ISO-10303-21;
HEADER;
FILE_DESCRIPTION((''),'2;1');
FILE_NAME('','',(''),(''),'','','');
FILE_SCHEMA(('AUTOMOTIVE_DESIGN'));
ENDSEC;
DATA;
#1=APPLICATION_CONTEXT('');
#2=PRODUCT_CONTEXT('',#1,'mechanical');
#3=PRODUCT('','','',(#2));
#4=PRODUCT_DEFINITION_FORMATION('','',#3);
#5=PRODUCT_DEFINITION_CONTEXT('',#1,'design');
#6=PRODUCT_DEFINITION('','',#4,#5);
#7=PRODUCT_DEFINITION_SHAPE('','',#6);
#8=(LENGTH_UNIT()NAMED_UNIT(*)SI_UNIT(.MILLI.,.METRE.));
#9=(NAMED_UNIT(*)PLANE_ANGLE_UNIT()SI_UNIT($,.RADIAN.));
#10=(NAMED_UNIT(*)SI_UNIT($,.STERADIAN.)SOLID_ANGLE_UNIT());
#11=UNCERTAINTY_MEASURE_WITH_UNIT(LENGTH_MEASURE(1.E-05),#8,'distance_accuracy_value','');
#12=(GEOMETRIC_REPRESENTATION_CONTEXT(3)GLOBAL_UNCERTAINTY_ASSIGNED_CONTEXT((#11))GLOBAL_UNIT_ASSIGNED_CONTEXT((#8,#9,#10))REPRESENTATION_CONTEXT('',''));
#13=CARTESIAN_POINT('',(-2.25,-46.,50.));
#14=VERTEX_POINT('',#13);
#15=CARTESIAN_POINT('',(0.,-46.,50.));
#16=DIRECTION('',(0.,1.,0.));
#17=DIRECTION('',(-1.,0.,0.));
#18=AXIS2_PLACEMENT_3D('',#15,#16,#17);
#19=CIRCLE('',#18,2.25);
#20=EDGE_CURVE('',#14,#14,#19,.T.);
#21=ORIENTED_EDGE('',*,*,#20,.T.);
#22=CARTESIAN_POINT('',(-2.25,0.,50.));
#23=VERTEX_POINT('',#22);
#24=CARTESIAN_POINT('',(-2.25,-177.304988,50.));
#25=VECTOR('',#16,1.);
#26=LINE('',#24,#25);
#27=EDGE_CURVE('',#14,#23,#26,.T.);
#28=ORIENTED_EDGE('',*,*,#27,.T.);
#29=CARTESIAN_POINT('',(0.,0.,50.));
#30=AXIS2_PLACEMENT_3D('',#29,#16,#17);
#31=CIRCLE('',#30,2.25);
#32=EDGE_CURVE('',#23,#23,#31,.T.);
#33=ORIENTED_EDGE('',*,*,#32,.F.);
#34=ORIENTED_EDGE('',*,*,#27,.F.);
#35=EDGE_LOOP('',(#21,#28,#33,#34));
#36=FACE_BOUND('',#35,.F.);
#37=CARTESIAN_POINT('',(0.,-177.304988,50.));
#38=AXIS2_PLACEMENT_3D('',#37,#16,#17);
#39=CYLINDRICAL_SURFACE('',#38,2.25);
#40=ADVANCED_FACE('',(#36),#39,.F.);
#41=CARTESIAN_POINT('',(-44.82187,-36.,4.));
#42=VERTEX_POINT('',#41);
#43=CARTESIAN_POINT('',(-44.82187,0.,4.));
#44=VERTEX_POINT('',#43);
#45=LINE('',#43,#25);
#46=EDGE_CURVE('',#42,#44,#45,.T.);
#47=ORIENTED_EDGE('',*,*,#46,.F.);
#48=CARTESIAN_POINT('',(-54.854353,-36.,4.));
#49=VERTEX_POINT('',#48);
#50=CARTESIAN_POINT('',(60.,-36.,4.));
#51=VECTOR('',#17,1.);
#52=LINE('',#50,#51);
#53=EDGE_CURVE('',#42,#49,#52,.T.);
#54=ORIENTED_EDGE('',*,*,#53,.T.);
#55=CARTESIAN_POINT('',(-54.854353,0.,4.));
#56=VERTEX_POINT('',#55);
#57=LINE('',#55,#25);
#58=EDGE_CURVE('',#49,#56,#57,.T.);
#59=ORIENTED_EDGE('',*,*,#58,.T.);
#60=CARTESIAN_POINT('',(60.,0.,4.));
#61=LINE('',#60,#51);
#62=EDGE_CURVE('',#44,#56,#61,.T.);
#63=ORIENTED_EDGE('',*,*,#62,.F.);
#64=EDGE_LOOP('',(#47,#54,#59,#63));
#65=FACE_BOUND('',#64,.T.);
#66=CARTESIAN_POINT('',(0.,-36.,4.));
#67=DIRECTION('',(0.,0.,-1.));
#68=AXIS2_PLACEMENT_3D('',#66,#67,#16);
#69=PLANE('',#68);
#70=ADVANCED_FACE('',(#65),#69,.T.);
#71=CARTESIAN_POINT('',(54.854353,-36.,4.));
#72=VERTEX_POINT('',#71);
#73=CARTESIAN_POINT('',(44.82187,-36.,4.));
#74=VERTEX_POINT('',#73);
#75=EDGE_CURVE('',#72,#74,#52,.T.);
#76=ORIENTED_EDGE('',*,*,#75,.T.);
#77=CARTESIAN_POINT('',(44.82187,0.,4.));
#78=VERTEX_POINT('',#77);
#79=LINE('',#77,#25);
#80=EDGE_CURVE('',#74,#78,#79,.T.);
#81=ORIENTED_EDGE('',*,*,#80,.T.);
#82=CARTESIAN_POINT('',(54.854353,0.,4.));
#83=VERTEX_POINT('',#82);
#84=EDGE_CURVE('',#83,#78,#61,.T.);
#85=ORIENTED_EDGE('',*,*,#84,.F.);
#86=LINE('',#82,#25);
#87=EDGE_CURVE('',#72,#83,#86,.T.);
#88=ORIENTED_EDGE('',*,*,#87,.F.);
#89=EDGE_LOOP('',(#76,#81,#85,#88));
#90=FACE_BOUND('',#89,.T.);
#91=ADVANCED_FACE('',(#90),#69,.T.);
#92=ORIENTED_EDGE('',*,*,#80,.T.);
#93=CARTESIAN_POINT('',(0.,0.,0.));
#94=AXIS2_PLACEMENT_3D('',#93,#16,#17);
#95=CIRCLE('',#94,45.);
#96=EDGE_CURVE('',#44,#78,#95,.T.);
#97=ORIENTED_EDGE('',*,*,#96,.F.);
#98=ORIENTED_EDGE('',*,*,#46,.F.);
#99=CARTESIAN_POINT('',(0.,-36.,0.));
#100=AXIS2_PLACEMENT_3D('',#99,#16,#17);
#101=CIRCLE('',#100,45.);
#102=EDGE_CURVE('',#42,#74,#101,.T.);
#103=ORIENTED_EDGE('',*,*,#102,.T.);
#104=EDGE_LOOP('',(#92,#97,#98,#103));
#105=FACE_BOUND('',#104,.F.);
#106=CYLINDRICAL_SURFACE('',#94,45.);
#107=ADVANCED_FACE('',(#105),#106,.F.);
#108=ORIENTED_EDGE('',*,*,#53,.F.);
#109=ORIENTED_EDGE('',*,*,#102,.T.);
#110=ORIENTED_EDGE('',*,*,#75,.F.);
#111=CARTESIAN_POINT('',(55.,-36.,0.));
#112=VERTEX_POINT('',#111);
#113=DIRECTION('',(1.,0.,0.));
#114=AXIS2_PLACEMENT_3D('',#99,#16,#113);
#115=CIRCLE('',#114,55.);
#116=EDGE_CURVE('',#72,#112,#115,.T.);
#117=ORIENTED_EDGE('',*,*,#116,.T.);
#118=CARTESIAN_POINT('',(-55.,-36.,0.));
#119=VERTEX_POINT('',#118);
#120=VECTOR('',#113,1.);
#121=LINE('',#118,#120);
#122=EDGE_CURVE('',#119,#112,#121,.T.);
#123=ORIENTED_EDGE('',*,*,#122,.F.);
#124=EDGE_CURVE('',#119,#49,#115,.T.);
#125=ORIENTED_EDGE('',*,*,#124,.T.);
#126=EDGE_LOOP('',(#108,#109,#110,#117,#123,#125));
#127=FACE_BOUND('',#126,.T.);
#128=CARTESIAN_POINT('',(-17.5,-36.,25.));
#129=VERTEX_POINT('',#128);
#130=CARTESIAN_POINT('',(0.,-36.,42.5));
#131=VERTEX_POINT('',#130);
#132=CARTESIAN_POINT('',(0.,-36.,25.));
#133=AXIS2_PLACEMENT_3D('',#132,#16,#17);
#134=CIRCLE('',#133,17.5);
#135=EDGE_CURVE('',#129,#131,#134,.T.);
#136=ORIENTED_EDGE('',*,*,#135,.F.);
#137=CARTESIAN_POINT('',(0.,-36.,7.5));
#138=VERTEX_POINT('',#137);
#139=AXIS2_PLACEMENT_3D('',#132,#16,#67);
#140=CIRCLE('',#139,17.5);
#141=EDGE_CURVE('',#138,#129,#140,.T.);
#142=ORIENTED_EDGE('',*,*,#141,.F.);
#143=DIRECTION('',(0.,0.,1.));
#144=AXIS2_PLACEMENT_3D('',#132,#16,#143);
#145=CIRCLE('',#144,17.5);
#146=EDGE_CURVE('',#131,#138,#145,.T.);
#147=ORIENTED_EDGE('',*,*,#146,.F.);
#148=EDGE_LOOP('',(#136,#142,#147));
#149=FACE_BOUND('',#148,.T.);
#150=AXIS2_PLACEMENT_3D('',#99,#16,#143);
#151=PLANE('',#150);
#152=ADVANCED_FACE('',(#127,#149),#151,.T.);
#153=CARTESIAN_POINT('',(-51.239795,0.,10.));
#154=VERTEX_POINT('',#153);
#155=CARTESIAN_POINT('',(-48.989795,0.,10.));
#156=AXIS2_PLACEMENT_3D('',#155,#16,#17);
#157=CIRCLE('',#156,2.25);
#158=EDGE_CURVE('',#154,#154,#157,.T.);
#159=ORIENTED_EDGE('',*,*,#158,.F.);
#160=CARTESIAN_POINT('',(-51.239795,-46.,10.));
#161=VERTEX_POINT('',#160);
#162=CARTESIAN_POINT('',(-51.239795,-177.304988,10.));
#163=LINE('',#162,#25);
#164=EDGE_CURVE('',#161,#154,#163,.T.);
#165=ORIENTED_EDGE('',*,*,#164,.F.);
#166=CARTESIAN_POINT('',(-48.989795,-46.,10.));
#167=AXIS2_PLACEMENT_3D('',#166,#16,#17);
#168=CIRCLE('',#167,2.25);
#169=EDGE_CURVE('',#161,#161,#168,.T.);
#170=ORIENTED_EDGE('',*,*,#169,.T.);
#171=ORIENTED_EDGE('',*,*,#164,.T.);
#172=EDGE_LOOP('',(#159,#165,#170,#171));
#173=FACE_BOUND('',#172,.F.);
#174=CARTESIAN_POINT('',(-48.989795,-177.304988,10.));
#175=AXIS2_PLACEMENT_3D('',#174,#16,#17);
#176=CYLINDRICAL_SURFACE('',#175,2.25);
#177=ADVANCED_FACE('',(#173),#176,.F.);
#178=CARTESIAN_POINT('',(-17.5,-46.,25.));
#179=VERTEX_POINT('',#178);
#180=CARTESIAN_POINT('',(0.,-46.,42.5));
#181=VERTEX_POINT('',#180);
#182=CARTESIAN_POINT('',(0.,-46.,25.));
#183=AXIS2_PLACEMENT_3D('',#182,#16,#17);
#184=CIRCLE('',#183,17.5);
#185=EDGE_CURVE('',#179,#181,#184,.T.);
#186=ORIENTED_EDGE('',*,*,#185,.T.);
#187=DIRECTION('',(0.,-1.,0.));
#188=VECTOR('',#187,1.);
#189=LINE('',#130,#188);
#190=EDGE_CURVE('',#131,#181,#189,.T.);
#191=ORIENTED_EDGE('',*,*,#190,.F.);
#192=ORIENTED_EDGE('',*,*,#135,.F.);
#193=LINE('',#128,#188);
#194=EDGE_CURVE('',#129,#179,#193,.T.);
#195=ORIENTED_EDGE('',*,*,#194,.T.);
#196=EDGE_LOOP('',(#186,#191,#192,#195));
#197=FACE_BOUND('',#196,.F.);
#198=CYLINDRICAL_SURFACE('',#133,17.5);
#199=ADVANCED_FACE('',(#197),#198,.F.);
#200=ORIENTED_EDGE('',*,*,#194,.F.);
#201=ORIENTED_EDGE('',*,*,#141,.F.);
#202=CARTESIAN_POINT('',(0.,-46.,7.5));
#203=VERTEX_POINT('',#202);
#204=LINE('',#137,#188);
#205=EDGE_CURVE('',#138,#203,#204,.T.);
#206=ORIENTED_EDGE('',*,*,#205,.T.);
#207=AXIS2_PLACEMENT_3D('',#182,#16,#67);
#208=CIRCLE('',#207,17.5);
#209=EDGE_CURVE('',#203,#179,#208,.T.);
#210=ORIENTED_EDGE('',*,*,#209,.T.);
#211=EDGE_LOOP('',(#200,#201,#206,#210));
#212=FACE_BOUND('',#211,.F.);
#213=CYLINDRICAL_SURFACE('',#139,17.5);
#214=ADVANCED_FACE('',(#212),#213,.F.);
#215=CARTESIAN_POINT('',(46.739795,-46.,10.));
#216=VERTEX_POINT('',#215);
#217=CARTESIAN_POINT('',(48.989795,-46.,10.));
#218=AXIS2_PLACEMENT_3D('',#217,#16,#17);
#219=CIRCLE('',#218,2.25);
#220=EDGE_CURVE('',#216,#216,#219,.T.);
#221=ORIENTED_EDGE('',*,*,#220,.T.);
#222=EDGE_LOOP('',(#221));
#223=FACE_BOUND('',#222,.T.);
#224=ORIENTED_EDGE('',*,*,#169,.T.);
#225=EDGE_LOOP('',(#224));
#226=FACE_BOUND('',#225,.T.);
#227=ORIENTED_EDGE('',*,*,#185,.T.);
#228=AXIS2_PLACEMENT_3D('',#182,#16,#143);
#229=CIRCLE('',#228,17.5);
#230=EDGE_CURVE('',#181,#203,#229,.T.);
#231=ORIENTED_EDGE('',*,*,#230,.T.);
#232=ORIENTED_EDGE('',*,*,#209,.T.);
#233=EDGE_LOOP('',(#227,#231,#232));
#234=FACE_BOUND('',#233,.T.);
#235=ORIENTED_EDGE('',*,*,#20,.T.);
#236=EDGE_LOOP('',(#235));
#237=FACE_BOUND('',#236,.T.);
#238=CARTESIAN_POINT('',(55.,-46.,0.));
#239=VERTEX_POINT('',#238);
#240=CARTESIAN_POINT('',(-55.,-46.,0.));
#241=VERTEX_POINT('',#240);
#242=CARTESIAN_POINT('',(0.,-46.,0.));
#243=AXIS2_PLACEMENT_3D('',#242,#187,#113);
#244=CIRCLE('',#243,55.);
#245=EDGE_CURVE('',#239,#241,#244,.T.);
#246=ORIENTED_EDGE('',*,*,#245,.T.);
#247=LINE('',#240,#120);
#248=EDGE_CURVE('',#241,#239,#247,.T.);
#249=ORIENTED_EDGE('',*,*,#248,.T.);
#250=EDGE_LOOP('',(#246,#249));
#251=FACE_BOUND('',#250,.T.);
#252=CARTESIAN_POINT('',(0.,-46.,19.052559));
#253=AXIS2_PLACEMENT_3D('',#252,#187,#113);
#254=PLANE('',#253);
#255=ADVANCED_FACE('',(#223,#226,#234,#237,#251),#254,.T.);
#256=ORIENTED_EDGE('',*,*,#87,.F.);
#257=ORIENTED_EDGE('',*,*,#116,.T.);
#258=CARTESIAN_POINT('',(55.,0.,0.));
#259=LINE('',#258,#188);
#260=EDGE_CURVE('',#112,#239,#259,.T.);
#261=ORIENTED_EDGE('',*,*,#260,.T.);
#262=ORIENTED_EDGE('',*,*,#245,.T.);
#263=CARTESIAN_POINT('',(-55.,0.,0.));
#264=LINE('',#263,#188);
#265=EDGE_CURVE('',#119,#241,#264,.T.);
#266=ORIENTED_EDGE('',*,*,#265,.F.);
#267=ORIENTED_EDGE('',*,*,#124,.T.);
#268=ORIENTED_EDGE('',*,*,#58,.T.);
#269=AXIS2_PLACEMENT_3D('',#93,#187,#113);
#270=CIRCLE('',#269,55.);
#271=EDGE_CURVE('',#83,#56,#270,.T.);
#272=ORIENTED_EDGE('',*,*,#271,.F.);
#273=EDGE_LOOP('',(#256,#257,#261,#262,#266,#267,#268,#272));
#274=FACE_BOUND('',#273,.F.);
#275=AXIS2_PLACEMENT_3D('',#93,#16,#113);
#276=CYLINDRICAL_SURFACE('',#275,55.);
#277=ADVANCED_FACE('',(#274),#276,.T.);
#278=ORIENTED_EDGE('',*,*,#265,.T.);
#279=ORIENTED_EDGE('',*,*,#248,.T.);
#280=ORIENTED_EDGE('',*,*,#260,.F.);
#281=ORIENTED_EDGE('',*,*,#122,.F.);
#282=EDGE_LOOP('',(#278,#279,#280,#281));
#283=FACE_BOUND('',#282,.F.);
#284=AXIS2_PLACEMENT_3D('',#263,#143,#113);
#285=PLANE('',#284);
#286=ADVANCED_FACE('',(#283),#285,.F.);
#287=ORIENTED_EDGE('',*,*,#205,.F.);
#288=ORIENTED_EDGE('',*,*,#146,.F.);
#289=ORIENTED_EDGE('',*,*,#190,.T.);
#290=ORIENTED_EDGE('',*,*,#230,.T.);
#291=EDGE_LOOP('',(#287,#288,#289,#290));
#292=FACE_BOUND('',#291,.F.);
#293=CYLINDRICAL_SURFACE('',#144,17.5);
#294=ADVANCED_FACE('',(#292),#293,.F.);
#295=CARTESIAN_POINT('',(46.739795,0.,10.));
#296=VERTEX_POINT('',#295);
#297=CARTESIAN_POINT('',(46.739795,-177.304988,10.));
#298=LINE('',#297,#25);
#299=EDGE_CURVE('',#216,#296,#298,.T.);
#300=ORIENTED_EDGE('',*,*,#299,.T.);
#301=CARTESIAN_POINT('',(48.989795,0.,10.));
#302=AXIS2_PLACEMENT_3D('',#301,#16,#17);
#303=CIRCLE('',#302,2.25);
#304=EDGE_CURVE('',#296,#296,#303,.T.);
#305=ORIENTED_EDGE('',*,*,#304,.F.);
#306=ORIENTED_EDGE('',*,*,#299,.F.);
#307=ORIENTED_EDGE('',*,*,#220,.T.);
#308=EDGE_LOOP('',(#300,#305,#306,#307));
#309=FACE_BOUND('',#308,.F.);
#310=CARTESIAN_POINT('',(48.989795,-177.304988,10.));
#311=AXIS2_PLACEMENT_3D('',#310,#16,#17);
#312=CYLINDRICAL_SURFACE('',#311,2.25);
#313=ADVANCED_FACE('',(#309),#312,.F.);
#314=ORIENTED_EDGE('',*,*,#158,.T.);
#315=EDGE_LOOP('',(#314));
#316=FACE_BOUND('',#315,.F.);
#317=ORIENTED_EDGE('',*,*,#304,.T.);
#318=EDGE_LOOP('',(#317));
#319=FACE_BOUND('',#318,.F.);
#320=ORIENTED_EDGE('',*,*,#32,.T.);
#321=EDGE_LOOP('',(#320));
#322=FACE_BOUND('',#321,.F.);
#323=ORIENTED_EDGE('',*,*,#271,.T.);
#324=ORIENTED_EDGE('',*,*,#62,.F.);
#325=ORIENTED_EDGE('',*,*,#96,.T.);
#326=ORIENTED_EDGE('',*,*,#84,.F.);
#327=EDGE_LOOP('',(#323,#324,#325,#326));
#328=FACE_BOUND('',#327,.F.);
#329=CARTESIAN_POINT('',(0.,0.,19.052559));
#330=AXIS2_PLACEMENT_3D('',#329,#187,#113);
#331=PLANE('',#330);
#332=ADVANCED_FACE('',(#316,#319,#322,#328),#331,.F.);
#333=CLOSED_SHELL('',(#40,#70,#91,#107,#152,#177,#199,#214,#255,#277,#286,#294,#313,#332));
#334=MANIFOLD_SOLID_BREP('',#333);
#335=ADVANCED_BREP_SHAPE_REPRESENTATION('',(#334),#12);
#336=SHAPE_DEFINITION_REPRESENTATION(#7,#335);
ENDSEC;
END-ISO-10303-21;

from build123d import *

# Parameters (mm, degrees)
F1_DEPTH = 46
F3_DEPTH = 36
F4_W     = 36
F4_H     = 4
F5_DEPTH = 60
F7_DEPTH = 25
F9_D     = 4.5


with BuildPart() as f1:
    # F0 (on Front) → F1 (new body)
    with BuildSketch(Plane.XZ):
        with BuildLine():
            Line((-55, 0), (55, 0))
            ThreePointArc((55, 0), (0, 55), (-55, 0))
        make_face()
    extrude(amount=F1_DEPTH)

    # F2 (on face) → F3 (cut)
    with BuildSketch(Plane(origin=(0, 0, 0), x_dir=(-1, 0, 0), z_dir=(0, 1, 0))):
        with BuildLine():
            Line((-45, 0), (45, 0))
            ThreePointArc((45, 0), (0, 45), (-45, 0))
        make_face()
    extrude(amount=-F3_DEPTH, mode=Mode.SUBTRACT)

    # F4 (on Right) → F5 (cut, symmetric)
    with BuildSketch(Plane.YZ):
        with Locations((-18, 2)):
            Rectangle(F4_W, F4_H)
    extrude(amount=F5_DEPTH, both=True, mode=Mode.SUBTRACT)

    # F6 (on face) → F7 (cut)
    with BuildSketch(Plane(origin=(0, -36, 0), x_dir=(-1, 0, 0), z_dir=(0, 1, 0))):
        with BuildLine():
            ThreePointArc((0, 7.5), (12.3743686708, 12.6256313292), (17.5, 25))
            ThreePointArc((17.5, 25), (12.3743686708, 37.3743686708), (0, 42.5))
            Line((0, 42.5), (0, 7.5))
        make_face()
        with BuildLine():
            Line((0, 7.5), (0, 42.5))
            ThreePointArc((0, 42.5), (-17.5, 25), (0, 7.5))
        make_face()
    extrude(amount=-F7_DEPTH, mode=Mode.SUBTRACT)

    # F9 (through all)
    with Locations(Plane.XZ.offset(46)):
        with Locations((48.9897948557, 10), (0, 50), (-48.9897948557, 10)):
            Hole(F9_D / 2)


solid = f1.part
